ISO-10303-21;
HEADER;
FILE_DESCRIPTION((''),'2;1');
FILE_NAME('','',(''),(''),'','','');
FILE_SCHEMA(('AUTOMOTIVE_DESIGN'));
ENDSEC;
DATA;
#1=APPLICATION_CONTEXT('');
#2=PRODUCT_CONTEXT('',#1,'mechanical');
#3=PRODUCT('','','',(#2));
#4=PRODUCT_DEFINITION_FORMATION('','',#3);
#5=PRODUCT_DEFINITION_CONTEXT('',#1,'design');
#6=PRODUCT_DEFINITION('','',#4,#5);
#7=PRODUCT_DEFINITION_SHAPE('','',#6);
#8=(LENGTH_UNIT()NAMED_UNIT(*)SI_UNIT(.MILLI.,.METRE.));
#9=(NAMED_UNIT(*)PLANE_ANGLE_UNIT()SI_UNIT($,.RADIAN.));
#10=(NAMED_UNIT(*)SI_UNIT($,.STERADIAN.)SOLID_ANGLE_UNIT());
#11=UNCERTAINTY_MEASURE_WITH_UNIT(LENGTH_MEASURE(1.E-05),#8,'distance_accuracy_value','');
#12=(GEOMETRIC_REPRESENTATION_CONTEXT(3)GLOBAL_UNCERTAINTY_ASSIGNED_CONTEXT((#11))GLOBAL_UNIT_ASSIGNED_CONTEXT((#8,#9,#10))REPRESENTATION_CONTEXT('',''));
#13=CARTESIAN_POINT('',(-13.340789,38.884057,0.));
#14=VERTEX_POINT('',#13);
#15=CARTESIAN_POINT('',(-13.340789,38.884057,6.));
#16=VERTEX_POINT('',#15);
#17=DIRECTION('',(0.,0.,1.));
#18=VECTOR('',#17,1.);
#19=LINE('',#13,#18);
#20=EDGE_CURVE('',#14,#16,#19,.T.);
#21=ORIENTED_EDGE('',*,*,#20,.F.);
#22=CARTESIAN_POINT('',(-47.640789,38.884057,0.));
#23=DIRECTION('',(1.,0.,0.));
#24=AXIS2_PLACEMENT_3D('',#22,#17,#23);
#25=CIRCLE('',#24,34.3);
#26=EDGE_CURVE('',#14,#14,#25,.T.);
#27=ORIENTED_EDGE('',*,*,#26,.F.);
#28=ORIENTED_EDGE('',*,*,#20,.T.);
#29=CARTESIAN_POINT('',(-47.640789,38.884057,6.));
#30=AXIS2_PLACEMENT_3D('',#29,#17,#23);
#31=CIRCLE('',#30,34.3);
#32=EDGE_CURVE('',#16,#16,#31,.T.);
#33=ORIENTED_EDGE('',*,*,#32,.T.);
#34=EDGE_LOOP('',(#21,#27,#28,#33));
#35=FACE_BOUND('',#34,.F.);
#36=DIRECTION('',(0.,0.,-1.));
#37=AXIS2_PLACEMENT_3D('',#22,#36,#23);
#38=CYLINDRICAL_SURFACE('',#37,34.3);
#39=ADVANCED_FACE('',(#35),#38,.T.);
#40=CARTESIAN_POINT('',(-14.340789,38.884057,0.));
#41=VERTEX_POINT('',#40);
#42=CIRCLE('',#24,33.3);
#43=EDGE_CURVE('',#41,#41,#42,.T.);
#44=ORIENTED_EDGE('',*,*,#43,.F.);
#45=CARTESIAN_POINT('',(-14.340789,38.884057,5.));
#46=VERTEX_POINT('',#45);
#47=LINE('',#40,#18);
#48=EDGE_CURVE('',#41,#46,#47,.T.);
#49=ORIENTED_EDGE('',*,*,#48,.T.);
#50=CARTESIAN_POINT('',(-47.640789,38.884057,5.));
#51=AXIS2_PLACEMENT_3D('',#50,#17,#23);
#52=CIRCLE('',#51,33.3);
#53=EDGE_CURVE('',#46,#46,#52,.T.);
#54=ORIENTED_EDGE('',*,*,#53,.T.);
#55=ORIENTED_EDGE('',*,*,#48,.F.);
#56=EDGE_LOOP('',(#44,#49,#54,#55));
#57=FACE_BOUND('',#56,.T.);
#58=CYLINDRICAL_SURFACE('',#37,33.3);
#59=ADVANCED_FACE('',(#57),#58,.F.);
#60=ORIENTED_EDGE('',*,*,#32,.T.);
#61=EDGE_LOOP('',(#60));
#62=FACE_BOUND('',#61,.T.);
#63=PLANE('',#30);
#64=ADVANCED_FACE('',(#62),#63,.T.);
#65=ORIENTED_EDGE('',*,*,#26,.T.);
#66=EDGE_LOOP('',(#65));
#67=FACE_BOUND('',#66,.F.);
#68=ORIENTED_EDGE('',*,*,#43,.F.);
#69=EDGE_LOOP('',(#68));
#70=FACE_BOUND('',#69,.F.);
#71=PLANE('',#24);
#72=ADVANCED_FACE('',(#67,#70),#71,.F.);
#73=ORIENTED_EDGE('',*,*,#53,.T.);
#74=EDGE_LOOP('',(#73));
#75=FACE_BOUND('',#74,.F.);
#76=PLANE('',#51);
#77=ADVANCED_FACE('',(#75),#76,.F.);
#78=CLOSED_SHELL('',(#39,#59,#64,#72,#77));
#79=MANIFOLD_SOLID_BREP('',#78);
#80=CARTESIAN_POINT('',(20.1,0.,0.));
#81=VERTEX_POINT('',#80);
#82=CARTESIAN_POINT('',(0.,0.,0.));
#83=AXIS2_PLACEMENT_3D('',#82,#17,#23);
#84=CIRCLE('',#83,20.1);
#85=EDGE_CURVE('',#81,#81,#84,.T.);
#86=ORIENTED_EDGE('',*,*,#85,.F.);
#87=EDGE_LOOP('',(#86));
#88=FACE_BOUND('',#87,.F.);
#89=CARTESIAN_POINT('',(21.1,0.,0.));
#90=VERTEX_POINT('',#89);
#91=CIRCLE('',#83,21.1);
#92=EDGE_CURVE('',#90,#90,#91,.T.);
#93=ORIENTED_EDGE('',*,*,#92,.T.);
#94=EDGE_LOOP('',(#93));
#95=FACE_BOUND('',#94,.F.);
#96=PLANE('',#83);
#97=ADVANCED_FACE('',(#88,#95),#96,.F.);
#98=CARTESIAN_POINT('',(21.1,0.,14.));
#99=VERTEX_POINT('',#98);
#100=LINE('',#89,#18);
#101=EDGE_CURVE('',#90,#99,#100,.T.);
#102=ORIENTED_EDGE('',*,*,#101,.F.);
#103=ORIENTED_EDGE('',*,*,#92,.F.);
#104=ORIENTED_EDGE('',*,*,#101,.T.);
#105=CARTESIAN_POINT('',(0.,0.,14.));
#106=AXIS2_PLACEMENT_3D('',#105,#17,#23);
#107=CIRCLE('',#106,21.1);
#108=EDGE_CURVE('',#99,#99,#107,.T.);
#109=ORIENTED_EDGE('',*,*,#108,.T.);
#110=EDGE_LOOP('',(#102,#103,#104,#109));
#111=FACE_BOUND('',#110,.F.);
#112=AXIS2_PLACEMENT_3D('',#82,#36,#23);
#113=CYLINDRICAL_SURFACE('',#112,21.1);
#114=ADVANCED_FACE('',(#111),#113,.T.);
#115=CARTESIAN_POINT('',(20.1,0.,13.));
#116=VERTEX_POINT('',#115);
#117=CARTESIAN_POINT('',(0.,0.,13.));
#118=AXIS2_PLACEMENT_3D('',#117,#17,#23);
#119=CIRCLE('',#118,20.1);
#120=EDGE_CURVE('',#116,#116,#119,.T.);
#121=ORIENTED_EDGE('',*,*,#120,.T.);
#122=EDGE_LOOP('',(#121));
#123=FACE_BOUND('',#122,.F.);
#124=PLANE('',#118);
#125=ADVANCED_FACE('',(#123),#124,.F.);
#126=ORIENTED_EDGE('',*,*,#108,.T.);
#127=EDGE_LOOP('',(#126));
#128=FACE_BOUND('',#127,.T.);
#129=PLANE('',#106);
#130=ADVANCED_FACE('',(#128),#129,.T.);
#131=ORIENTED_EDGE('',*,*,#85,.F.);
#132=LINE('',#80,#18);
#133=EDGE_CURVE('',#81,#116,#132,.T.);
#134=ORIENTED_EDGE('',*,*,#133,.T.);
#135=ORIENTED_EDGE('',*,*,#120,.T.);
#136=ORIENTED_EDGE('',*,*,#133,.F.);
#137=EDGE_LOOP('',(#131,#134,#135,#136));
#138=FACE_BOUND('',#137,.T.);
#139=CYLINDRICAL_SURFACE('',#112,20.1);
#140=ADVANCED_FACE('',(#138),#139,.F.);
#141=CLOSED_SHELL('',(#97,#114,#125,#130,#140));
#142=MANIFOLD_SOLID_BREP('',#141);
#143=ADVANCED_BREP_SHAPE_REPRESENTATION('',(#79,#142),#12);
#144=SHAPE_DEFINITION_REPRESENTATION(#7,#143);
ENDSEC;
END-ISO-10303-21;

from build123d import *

# Parameters (mm, degrees)
F2_R     = 21.1
F2_R_2   = 20.1
F3_DEPTH = 14
F4_DEPTH = 13
F2_R_3   = 34.3
F2_R_4   = 33.3
F5_DEPTH = 6
F6_DEPTH = 5


with BuildPart() as f3:
    # F2 (on Top) → F3 (new body)
    with BuildSketch(Plane.XY):
        Circle(F2_R)
        Circle(F2_R_2, mode=Mode.SUBTRACT)
        Circle(F2_R_2)
    extrude(amount=F3_DEPTH)

    # F2 (on Top) → F4 (cut)
    with BuildSketch(Plane.XY):
        Circle(F2_R_2)
    extrude(amount=F4_DEPTH, mode=Mode.SUBTRACT)


with BuildPart() as f5:
    # F2 (on Top) → F5 (new body)
    with BuildSketch(Plane.XY):
        with Locations((-47.6407893002, 38.8840572437)):
            Circle(F2_R_3)
        with Locations((-47.6407893002, 38.8840572437)):
            Circle(F2_R_4, mode=Mode.SUBTRACT)
        with Locations((-47.6407893002, 38.8840572437)):
            Circle(F2_R_4)
    extrude(amount=F5_DEPTH)

    # F2 (on Top) → F6 (cut)
    with BuildSketch(Plane.XY):
        with Locations((-47.6407893002, 38.8840572437)):
            Circle(F2_R_4)
    extrude(amount=F6_DEPTH, mode=Mode.SUBTRACT)


solid = Compound([f3.part, f5.part])
